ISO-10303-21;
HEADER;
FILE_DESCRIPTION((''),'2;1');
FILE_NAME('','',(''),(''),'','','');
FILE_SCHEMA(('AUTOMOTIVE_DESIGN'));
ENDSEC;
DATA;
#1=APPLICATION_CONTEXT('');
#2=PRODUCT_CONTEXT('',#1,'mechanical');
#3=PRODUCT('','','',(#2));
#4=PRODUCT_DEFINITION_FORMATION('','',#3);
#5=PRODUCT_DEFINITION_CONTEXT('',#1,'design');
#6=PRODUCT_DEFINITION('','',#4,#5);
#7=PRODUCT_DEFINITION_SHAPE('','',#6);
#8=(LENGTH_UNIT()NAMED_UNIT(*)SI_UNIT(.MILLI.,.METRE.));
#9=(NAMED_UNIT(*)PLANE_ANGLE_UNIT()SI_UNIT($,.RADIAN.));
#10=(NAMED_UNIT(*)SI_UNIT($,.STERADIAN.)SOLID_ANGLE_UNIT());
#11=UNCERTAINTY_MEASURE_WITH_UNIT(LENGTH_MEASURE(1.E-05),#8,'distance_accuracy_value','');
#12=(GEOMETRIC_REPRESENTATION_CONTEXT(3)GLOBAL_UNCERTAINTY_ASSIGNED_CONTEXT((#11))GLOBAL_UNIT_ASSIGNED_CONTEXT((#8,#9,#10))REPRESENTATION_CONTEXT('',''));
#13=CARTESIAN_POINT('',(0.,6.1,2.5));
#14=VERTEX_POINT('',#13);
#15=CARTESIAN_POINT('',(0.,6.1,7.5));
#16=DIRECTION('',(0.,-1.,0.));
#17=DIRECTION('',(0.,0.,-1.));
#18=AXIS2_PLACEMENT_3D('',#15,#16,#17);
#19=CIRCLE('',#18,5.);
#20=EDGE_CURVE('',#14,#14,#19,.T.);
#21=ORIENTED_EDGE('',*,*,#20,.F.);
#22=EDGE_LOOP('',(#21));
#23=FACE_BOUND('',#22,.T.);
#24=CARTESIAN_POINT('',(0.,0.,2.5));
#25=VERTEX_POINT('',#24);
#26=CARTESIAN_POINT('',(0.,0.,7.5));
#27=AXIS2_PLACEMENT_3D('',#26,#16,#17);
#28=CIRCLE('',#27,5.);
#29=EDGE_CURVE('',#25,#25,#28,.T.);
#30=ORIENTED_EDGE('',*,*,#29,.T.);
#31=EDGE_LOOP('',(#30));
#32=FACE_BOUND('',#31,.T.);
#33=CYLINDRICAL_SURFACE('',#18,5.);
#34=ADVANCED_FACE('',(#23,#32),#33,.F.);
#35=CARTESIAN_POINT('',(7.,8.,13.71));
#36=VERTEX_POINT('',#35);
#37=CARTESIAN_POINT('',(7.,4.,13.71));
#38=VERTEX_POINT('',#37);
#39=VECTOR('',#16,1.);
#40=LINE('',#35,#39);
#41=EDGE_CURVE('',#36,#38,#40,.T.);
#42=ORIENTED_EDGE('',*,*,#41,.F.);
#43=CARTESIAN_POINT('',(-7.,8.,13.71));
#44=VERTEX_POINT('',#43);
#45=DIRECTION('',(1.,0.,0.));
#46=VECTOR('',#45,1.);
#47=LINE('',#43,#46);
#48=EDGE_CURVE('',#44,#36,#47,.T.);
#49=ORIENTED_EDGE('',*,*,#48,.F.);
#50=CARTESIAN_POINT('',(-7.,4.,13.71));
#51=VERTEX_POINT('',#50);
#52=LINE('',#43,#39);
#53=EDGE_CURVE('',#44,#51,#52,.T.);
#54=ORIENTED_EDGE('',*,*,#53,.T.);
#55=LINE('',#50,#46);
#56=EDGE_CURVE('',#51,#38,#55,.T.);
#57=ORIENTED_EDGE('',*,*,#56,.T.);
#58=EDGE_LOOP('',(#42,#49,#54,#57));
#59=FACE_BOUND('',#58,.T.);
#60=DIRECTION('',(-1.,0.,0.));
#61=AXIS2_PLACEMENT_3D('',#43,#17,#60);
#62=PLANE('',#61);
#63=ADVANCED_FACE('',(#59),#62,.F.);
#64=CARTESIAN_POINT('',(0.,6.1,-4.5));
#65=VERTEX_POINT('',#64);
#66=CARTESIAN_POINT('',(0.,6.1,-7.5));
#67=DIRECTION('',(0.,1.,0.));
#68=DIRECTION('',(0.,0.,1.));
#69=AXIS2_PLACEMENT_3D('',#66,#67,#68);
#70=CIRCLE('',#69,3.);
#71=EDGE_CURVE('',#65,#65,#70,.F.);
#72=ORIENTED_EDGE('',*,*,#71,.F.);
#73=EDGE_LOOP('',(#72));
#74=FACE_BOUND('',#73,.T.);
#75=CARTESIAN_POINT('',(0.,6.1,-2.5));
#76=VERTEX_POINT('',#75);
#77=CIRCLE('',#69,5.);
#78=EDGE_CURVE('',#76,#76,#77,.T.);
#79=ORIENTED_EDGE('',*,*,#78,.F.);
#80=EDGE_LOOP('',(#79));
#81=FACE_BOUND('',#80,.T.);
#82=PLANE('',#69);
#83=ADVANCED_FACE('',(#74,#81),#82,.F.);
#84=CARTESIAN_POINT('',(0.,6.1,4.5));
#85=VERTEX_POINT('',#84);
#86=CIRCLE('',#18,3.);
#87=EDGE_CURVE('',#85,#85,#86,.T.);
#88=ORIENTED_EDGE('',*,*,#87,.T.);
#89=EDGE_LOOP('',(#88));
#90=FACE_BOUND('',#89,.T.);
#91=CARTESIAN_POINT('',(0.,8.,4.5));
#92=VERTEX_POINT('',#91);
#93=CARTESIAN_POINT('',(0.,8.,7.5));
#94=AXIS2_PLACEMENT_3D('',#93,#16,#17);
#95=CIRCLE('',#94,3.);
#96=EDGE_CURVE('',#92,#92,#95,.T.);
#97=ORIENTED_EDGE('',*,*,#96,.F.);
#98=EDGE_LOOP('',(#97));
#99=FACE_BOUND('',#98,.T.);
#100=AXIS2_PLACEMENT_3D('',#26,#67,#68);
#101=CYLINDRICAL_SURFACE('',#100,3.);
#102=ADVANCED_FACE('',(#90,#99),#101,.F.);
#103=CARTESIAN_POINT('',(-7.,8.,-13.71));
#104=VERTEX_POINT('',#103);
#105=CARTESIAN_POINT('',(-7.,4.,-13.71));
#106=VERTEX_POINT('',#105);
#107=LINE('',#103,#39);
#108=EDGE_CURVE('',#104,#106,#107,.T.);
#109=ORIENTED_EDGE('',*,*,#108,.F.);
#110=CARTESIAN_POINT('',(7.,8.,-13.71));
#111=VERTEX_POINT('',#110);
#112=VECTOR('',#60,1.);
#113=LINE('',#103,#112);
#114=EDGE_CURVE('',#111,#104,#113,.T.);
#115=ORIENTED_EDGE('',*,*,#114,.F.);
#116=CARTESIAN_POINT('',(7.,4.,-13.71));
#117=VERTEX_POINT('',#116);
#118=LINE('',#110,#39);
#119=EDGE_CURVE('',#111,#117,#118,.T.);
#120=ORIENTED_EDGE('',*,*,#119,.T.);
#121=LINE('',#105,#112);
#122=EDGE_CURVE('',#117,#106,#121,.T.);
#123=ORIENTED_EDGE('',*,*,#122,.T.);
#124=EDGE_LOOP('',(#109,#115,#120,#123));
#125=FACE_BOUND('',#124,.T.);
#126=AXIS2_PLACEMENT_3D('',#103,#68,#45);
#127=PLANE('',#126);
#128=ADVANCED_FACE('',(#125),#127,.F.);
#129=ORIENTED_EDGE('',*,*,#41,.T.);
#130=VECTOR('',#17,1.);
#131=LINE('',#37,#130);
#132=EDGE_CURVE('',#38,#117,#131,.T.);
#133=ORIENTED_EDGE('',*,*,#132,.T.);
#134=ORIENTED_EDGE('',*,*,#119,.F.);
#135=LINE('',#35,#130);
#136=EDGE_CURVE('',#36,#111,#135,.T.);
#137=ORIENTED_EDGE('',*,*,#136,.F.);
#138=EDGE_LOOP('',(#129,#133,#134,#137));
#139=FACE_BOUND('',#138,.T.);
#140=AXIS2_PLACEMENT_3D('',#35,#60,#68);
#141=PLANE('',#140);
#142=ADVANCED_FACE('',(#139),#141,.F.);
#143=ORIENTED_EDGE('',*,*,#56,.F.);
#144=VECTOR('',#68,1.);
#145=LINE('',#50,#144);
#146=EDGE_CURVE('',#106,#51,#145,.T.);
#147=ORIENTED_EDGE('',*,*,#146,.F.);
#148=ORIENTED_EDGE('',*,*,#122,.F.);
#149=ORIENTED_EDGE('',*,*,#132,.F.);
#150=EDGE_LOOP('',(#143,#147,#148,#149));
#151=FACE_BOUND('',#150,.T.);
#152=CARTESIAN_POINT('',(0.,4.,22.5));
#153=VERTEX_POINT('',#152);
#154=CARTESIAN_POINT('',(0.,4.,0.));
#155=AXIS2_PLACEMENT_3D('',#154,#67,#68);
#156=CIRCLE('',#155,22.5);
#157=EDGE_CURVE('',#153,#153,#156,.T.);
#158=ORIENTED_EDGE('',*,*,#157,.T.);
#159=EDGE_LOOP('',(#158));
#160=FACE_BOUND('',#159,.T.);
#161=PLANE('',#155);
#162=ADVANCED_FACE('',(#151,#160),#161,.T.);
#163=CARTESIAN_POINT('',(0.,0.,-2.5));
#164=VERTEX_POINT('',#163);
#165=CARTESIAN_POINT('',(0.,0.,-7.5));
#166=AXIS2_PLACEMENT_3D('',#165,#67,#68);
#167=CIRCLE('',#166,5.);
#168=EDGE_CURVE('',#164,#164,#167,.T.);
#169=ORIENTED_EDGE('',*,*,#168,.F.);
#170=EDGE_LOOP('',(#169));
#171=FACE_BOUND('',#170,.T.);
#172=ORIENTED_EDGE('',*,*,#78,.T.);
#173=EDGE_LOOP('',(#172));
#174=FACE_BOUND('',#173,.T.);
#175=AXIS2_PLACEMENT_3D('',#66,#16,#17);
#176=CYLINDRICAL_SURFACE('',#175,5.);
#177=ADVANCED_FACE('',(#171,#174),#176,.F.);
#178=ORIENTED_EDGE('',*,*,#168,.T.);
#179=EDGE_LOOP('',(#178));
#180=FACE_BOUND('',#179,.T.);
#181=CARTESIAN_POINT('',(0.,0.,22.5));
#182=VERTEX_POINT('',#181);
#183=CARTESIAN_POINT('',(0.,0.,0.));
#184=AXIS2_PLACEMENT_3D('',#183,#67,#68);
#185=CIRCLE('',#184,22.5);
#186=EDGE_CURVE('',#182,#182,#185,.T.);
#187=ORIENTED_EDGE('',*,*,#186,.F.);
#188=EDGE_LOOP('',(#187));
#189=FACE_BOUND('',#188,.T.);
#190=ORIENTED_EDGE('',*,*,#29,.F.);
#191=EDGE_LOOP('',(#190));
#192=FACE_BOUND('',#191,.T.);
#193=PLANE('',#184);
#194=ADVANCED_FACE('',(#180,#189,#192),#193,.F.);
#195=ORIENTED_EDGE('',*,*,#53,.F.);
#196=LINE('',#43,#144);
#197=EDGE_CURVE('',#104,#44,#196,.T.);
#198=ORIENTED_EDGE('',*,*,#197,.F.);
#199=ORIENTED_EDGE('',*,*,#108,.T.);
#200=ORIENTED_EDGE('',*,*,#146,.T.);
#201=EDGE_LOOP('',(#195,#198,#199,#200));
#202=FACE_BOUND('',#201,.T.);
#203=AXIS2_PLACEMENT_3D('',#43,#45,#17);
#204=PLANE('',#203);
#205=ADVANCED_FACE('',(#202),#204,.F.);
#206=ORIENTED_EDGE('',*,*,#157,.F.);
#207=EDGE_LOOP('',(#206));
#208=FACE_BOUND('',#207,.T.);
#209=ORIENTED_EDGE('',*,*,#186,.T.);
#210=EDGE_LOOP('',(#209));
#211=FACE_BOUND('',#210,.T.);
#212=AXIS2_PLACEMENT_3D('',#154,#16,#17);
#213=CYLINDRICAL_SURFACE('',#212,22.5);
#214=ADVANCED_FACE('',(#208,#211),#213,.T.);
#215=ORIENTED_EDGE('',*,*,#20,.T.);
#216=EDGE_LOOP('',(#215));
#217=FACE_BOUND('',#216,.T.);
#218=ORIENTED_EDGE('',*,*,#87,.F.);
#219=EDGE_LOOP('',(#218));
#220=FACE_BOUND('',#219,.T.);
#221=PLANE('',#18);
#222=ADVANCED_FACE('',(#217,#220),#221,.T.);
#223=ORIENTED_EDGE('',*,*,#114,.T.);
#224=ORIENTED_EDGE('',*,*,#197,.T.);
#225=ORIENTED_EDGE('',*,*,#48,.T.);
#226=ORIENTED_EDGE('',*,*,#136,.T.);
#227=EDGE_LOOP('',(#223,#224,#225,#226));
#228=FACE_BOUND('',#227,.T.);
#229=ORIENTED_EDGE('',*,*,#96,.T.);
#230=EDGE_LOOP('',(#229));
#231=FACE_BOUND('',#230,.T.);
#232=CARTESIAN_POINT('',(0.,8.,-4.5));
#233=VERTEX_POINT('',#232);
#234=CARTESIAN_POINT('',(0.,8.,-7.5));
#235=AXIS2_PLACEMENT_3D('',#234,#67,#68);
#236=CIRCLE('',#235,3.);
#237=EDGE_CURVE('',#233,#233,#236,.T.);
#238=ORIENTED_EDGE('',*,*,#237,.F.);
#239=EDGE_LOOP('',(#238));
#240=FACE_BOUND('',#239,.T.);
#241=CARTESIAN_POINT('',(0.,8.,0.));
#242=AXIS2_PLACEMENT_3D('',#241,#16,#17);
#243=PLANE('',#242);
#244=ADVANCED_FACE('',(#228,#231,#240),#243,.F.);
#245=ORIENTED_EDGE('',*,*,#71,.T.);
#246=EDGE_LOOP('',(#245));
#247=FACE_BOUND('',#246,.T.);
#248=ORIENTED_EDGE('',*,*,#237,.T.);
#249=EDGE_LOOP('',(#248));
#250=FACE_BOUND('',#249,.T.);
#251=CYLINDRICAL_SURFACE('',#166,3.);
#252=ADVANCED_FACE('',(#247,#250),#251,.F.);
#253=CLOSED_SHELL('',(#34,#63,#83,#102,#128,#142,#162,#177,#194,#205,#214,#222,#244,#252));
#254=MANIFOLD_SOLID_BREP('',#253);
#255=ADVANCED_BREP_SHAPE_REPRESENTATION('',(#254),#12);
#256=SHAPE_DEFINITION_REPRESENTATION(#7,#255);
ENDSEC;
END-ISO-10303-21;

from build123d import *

# Parameters (mm, degrees)
SKETCH2_R           = 22.5
BOSS_EXTRUDE1_DEPTH = 4
SKETCH3_W           = 14
SKETCH3_H           = 27.42
BOSS_EXTRUDE2_DEPTH = 4
SKETCH4_R           = 3
CUT_EXTRUDE1_DEPTH  = 33.810059433
SKETCH5_R           = 5
CUT_EXTRUDE2_DEPTH  = 6.1


with BuildPart() as part:
    # Sketch2 → Boss-Extrude1 (new body)
    with BuildSketch(Plane(origin=(0, 0, 0), x_dir=(1, 0, 0), z_dir=(0, 1, 0))):
        with Locations(Location((0, 0, 0), (0, 0, 270))):
            Circle(SKETCH2_R)
    extrude(amount=BOSS_EXTRUDE1_DEPTH)

    # Sketch3 → Boss-Extrude2 (add)
    with BuildSketch(Plane(origin=(0, 4, 0), x_dir=(1, 0, 0), z_dir=(0, 1, 0))):
        Rectangle(SKETCH3_W, SKETCH3_H)
    extrude(amount=BOSS_EXTRUDE2_DEPTH)

    # Sketch4 → Cut-Extrude1 (cut, through all)
    with BuildSketch(Plane(origin=(0, 8, 0), x_dir=(1, 0, 0), z_dir=(0, 1, 0))):
        with Locations(Location((0, 7.5, 0), (0, 0, 270))):
            Circle(SKETCH4_R)
        with Locations(Location((0, -7.5, 0), (0, 0, 90))):
            Circle(SKETCH4_R)
    extrude(amount=-CUT_EXTRUDE1_DEPTH, mode=Mode.SUBTRACT)

    # Sketch5 → Cut-Extrude2 (cut)
    with BuildSketch(Plane.XZ):
        with Locations(Location((0, 7.5, 0), (0, 0, 270))):
            Circle(SKETCH5_R)
        with Locations(Location((0, -7.5, 0), (0, 0, 90))):
            Circle(SKETCH5_R)
    extrude(amount=-CUT_EXTRUDE2_DEPTH, mode=Mode.SUBTRACT)


solid = part.part
